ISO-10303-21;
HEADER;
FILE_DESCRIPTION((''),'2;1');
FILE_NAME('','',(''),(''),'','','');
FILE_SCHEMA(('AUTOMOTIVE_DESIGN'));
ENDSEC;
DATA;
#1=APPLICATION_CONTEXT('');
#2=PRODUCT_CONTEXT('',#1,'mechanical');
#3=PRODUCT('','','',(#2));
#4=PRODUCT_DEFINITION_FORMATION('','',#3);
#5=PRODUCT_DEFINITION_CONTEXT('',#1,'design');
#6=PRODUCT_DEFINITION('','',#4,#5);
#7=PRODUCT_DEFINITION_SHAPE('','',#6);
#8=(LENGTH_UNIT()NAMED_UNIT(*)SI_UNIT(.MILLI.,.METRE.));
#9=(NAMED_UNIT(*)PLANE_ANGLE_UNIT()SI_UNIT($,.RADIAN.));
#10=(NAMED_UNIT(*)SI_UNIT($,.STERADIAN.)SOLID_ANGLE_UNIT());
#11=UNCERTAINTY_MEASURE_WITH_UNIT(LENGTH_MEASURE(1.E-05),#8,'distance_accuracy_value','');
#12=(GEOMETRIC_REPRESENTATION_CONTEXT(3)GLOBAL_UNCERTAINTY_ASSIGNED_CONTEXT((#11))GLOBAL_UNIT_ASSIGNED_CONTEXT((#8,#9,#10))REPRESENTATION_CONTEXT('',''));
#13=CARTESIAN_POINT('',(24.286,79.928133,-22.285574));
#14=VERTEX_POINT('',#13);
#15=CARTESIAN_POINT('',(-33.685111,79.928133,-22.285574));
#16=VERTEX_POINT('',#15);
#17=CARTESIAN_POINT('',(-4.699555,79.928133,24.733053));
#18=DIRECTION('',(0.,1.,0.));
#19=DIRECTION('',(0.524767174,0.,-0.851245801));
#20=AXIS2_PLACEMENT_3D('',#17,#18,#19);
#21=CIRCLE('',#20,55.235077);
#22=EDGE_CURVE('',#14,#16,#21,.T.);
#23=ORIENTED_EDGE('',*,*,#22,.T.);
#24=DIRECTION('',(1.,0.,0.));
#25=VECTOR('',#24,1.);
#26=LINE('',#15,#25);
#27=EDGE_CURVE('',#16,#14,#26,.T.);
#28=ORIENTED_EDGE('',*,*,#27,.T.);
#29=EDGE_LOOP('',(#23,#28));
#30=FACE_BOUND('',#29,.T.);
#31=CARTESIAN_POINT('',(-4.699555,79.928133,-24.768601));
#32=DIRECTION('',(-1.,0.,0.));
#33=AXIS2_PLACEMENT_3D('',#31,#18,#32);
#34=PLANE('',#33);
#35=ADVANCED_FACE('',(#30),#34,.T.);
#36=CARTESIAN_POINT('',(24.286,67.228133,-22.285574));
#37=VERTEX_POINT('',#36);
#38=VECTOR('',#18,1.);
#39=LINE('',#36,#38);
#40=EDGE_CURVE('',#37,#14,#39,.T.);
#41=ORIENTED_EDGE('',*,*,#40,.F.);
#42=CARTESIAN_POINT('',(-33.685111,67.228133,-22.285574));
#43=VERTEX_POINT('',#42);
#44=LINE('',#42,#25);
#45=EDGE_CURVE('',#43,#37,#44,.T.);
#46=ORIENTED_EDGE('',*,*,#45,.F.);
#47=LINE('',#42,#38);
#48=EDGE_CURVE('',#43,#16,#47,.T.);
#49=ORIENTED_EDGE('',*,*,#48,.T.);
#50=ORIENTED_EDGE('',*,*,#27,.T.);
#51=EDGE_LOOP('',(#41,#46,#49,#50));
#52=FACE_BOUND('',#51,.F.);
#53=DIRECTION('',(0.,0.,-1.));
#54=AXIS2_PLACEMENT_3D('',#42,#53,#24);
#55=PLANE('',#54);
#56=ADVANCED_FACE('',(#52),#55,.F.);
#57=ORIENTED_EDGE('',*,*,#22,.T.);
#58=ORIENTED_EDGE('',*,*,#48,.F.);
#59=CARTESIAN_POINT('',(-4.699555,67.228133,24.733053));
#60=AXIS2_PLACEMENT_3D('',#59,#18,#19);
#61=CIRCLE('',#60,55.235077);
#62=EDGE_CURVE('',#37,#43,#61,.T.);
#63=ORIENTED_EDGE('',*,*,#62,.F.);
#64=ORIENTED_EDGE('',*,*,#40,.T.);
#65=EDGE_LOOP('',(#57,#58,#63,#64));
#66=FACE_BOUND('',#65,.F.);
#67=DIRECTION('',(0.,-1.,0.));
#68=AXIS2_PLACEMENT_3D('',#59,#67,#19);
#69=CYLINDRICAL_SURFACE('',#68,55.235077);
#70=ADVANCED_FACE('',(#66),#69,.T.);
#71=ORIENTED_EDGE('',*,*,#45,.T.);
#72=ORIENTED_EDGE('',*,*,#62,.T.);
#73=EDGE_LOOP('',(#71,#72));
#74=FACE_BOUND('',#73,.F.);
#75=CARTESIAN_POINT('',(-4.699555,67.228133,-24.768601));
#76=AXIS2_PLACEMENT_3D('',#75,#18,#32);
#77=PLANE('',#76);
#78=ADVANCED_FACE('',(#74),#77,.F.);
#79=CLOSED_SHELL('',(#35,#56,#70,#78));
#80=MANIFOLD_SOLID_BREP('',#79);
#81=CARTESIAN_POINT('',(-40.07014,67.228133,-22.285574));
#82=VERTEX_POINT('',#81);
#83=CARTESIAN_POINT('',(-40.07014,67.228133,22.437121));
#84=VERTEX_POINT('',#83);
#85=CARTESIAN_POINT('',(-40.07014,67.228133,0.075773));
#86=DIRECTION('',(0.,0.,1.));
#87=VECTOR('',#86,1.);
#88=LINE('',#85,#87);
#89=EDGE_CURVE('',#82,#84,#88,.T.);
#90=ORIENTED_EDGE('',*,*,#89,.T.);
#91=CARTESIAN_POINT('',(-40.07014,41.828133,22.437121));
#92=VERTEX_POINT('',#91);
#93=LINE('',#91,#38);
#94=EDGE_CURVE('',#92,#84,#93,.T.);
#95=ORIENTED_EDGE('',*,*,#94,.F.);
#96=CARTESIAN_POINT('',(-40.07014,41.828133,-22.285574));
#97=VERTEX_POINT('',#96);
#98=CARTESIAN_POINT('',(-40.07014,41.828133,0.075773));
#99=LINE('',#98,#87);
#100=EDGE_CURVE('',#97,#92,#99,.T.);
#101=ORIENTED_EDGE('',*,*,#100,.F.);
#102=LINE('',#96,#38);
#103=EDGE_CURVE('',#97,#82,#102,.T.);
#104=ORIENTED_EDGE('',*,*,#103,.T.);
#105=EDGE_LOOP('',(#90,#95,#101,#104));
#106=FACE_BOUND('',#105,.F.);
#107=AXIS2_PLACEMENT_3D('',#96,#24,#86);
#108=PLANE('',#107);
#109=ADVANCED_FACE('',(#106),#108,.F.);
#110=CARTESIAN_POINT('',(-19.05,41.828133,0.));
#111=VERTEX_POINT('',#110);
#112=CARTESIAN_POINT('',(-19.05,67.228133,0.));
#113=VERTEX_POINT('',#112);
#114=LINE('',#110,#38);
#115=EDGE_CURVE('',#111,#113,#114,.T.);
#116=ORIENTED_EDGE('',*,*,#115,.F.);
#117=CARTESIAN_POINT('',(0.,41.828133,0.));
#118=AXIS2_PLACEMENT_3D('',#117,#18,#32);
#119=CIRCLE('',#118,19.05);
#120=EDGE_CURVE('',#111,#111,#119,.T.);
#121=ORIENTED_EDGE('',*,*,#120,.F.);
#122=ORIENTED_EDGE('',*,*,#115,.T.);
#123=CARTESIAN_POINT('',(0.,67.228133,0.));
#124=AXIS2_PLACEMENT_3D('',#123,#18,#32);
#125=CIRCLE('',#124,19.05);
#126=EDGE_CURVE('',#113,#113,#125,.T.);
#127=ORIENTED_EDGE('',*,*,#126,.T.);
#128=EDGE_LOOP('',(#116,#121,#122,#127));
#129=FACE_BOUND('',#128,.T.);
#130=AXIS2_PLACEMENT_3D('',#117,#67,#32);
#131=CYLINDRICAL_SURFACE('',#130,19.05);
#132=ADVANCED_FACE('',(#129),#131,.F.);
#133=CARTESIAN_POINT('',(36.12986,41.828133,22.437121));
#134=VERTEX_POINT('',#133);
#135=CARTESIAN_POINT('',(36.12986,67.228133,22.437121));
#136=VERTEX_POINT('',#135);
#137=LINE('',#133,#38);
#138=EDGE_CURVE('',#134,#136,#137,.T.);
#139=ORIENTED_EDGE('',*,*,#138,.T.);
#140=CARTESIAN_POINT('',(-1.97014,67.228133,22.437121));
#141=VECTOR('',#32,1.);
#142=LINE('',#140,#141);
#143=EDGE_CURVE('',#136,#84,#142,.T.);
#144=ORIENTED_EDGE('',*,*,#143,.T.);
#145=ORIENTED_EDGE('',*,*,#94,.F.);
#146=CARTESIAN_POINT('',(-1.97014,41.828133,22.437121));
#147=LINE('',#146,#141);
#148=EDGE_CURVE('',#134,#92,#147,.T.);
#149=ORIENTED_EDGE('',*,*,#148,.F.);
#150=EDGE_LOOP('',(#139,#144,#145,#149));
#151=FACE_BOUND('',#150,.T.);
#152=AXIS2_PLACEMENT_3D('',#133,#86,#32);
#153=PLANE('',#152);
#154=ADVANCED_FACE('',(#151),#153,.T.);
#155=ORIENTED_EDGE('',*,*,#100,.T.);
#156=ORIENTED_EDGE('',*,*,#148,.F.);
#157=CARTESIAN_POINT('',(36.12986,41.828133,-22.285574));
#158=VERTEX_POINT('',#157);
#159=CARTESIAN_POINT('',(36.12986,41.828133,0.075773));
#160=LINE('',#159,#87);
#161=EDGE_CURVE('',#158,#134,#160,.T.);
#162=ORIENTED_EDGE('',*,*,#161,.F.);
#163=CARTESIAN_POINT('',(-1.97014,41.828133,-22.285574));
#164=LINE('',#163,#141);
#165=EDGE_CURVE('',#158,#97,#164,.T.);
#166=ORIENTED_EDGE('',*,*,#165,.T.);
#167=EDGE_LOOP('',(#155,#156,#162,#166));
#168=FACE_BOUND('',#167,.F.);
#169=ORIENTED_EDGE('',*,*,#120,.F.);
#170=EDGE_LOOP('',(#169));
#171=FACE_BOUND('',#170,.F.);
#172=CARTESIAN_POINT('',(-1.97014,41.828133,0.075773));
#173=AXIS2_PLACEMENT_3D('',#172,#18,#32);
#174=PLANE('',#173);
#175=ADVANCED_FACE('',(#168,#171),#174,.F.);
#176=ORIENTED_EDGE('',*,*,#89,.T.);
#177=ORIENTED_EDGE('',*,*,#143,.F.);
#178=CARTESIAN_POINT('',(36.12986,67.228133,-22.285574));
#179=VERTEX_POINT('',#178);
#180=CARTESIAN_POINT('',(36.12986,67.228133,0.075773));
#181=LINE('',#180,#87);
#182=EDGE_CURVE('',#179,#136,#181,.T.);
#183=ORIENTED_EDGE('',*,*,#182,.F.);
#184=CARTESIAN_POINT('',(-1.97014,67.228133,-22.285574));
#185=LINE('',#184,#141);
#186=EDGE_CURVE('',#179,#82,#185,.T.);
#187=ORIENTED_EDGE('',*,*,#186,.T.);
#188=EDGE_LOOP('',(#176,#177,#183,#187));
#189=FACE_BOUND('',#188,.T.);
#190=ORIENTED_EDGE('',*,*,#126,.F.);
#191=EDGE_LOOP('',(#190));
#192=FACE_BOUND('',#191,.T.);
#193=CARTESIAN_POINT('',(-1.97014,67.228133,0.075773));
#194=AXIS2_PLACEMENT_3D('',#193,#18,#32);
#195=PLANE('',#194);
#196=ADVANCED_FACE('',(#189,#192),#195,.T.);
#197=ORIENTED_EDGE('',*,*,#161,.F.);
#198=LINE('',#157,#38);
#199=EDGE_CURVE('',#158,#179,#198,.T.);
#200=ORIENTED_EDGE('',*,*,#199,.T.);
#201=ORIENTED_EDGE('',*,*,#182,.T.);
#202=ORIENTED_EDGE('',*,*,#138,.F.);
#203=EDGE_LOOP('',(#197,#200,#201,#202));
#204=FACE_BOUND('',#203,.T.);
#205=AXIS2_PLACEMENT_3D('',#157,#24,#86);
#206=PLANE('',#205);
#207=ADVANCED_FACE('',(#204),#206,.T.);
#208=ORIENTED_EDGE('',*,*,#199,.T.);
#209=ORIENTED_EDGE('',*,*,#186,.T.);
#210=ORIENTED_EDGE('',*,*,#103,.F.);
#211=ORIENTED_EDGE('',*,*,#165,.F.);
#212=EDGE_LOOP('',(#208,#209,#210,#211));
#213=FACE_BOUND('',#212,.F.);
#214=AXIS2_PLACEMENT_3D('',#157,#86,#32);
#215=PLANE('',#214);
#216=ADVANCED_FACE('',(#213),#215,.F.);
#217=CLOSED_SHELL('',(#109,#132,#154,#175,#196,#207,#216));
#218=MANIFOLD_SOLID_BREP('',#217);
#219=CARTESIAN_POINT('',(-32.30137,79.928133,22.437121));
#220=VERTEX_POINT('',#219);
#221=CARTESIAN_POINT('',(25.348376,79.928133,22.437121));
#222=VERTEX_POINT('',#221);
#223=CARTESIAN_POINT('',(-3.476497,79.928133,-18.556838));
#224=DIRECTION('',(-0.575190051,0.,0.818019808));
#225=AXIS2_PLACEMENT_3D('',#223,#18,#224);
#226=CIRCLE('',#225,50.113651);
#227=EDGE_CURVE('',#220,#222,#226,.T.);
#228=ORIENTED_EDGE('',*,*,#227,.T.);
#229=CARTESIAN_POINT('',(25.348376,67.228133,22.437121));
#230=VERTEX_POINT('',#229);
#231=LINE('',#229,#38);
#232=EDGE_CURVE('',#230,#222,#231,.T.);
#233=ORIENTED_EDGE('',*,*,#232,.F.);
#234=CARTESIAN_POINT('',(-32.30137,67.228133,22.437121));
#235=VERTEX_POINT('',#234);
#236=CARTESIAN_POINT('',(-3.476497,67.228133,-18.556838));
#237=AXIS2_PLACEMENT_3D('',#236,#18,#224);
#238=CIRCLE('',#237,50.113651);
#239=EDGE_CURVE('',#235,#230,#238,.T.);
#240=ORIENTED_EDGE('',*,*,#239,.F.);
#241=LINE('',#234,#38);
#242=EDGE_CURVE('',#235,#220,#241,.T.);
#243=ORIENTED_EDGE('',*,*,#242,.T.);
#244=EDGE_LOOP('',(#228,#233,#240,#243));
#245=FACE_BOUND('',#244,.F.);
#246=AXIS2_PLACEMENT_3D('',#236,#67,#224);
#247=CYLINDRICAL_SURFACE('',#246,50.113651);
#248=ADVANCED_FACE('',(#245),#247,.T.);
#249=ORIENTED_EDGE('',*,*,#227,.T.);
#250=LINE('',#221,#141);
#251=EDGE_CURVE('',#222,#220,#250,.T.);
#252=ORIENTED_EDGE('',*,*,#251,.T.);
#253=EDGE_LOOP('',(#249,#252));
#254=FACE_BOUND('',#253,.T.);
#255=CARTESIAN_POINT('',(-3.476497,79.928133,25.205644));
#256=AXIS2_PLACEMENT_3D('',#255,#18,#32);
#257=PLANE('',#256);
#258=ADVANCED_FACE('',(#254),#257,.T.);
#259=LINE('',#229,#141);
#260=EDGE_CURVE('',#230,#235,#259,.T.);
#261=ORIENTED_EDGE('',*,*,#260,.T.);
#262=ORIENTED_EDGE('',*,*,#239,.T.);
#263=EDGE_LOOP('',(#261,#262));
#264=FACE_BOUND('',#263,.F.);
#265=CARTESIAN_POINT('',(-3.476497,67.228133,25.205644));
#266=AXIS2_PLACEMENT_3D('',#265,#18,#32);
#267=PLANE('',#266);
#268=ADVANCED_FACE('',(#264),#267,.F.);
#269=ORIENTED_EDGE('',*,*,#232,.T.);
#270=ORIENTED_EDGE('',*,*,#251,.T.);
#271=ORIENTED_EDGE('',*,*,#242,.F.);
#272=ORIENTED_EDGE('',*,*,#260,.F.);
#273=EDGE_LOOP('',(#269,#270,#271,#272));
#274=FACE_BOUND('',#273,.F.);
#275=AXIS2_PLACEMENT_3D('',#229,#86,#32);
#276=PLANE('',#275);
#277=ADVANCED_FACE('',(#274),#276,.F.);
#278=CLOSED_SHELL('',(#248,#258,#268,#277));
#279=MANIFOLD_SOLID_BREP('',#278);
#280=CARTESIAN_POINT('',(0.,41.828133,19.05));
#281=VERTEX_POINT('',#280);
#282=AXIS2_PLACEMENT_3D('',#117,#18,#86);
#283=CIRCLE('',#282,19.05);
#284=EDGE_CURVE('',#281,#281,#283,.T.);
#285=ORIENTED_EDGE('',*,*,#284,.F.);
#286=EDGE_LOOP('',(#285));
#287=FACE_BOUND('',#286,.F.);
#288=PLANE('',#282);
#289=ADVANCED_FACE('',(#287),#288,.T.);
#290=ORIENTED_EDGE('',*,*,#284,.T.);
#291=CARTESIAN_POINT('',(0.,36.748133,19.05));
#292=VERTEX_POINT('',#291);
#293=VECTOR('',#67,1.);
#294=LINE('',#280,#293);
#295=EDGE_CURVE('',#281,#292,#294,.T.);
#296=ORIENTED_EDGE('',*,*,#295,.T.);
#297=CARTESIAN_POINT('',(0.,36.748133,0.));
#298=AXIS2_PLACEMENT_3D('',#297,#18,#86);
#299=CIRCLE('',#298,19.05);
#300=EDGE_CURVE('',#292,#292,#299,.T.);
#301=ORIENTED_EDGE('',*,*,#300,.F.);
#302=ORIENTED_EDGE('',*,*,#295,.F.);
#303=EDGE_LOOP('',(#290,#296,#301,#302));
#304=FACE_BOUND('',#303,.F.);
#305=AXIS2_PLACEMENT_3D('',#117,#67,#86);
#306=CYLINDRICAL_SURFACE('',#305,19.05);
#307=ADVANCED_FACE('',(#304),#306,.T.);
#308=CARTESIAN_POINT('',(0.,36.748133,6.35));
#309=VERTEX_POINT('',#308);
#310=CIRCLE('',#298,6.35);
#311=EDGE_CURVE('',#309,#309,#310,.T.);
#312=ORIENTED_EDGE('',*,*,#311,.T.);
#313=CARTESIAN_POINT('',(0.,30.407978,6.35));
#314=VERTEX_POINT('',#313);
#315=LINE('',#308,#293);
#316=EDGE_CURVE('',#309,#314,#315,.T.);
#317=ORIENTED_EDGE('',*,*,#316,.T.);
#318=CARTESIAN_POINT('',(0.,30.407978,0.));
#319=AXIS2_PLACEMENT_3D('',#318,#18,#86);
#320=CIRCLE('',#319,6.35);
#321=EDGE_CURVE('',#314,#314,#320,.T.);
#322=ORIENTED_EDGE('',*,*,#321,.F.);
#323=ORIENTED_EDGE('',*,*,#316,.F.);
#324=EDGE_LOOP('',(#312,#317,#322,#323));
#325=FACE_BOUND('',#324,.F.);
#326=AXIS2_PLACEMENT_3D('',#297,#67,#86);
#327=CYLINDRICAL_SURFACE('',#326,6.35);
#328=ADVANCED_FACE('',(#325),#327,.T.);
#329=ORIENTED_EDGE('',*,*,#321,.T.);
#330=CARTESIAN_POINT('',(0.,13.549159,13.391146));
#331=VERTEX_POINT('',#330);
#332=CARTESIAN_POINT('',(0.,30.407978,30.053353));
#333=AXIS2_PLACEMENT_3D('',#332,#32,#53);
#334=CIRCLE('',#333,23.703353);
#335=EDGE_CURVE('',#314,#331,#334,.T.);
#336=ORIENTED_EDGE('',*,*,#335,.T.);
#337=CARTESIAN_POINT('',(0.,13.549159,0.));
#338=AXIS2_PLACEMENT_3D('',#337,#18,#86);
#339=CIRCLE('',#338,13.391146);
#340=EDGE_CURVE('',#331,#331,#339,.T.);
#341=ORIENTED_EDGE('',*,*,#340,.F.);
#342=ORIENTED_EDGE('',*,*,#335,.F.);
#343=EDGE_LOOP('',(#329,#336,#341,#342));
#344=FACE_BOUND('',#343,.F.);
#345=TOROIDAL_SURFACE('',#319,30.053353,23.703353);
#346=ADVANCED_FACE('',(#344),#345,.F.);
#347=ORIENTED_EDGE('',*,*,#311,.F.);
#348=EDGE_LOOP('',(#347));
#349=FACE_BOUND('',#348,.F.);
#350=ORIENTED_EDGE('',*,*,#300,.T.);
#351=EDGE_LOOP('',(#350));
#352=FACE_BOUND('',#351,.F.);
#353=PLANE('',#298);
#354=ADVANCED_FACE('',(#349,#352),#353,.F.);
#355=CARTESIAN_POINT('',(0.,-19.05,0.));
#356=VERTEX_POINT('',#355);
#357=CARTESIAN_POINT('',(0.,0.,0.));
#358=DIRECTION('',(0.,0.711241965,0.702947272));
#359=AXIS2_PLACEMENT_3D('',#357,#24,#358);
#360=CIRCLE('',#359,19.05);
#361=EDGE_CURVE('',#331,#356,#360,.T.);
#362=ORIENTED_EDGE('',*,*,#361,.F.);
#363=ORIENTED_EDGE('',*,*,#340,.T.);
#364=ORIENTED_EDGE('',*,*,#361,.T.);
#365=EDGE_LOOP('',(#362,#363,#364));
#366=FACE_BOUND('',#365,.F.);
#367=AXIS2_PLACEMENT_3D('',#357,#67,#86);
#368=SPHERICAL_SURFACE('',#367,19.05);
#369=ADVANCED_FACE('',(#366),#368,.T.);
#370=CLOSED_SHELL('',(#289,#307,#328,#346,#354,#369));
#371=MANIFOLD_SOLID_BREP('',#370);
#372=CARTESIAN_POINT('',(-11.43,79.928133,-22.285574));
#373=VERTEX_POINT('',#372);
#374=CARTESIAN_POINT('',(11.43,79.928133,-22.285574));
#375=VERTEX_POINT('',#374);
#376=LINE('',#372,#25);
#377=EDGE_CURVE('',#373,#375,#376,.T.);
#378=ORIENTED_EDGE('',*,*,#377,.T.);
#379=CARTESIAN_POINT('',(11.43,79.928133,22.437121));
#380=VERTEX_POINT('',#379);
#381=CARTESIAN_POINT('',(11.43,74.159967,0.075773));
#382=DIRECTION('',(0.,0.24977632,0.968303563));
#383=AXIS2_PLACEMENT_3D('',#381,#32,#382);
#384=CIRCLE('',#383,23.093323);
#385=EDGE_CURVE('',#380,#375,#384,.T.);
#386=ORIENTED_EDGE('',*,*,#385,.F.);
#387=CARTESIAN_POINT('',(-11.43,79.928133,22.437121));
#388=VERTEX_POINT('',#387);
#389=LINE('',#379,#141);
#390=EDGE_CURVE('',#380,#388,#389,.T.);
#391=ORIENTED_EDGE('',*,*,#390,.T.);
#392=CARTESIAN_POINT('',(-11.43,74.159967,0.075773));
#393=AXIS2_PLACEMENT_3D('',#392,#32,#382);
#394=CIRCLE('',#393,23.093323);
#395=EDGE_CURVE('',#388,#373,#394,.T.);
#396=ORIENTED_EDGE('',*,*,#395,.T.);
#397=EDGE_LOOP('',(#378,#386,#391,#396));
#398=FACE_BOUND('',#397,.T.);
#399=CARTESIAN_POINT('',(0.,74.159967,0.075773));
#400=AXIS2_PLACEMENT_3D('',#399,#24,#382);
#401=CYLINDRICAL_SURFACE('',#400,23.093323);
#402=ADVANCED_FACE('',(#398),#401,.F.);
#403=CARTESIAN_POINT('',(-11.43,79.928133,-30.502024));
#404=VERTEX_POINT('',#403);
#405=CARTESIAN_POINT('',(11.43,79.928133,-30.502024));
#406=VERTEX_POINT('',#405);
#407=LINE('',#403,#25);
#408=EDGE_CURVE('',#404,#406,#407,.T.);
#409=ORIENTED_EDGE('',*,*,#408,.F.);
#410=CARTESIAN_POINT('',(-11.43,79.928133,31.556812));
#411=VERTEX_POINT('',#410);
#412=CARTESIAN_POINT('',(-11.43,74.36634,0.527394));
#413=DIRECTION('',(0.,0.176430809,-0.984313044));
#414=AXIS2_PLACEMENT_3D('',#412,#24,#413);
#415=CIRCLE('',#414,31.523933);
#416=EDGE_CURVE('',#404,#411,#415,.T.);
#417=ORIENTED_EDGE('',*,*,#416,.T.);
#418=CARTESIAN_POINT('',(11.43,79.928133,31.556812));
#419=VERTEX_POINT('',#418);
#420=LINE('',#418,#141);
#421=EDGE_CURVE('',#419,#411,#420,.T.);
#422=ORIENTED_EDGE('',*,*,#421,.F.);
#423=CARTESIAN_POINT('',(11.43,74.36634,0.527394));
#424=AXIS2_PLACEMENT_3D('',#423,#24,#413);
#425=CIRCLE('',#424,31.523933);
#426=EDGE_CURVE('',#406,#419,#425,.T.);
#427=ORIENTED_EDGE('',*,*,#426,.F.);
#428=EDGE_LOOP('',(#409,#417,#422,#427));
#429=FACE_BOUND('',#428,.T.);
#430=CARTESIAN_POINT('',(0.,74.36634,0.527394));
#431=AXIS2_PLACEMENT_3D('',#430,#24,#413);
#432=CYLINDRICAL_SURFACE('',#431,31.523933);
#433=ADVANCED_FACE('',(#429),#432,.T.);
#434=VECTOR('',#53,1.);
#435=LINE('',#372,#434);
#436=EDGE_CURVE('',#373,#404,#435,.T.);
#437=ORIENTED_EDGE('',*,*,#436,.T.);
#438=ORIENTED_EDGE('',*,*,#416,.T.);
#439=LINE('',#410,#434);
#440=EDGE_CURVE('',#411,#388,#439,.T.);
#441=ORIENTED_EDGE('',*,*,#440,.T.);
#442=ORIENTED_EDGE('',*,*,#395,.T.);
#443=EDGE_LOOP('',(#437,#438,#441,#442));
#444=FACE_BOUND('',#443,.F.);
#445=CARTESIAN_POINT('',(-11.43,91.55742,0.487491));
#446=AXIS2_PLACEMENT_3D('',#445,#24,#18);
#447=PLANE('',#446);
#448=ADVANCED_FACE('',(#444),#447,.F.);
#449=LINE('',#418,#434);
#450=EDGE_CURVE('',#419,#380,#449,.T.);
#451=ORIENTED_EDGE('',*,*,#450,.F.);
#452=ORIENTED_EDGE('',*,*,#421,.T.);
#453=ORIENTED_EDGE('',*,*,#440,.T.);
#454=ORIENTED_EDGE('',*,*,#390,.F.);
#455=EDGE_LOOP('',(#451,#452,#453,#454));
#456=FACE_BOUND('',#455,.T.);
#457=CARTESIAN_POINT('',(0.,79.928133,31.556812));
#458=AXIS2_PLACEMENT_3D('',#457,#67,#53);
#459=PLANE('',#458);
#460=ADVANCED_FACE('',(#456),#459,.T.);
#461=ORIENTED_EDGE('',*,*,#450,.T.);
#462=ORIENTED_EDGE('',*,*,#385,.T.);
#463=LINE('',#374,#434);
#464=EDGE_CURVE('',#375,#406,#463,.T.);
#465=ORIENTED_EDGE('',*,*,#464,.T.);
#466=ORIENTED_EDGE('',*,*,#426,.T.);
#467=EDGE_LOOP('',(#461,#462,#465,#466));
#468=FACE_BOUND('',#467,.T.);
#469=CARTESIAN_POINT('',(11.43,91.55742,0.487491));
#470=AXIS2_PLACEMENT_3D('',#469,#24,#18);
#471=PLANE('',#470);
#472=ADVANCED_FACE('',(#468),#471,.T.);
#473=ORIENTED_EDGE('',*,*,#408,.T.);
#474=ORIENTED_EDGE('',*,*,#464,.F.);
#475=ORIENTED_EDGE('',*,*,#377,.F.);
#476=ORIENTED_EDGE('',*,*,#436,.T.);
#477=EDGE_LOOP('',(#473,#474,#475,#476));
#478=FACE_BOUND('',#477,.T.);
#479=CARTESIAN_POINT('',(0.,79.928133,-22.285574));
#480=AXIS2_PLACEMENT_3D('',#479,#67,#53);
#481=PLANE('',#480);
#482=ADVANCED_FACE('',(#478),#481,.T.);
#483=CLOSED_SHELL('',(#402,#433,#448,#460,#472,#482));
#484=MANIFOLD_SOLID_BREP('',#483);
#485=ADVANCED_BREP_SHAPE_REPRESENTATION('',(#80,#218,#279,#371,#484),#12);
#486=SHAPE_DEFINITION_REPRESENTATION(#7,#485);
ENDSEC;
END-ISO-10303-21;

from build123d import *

# Parameters (mm, degrees)
F2_W     = 76.2
F2_H     = 44.7226946513
F2_R     = 19.05
F3_DEPTH = 25.4
F5_DEPTH = 12.7
F7_DEPTH = 11.43


with BuildPart() as f1:
    # F0 (on Right) → F1 (revolve)
    with BuildSketch(Plane.YZ):
        with BuildLine():
            Line((-19.05, 0), (19.05, 0))
            ThreePointArc((19.05, 0), (17.6212086291, 7.2384740416), (13.5491594277, 13.3911455374))
            ThreePointArc((13.5491594277, 13.3911455374), (-7.2384740416, 17.6212086291), (-19.05, 0))
        make_face()
        with BuildLine():
            ThreePointArc((13.5491594277, 13.3911455374), (17.6212086291, 7.2384740416), (19.05, 0))
            Line((19.05, 0), (36.7481327612, 0))
            Line((36.7481327612, 0), (36.7481327612, 6.35))
            Line((36.7481327612, 6.35), (30.4079784819, 6.35))
            ThreePointArc((30.4079784819, 6.35), (21.2729153954, 8.1810059772), (13.5491594277, 13.3911455374))
        make_face()
        Polygon((36.7481327612, 6.35), (36.7481327612, 0), (41.8281327612, 0), (41.8281327612, 19.05), (36.7481327612, 19.05), align=None)
    revolve(axis=Axis((0, 11.3890663806, 0), (0, 1, 0)))


with BuildPart() as f3:
    # F2 (on face) → F3 (new body)
    with BuildSketch(Plane(origin=(0, 41.8281327612, 0), x_dir=(-1, 0, 0), z_dir=(0, 1, 0))):
        with Locations((1.9701402634, 0.075773336)):
            Rectangle(F2_W, F2_H)
        Circle(F2_R, mode=Mode.SUBTRACT)
    extrude(amount=F3_DEPTH)


with BuildPart() as f5:
    # F4 (on face) → F5 (new body)
    with BuildSketch(Plane(origin=(0, 67.2281327612, 0), x_dir=(-1, 0, 0), z_dir=(0, 1, 0))):
        with BuildLine():
            Line((33.6851105094, -22.2855739896), (-24.2860000581, -22.2855739896))
            ThreePointArc((-24.2860000581, -22.2855739896), (4.6995552257, -30.5020236554), (33.6851105094, -22.2855739896))
        make_face()
    extrude(amount=F5_DEPTH)


with BuildPart() as f5b:
    # F4 (on face) → F5, piece 2 (new body)
    with BuildSketch(Plane(origin=(0, 67.2281327612, 0), x_dir=(-1, 0, 0), z_dir=(0, 1, 0))):
        with BuildLine():
            ThreePointArc((32.3013700545, 22.4371206616), (3.4764967859, 31.5568124537), (-25.3483764827, 22.4371206616))
            Line((-25.3483764827, 22.4371206616), (32.3013700545, 22.4371206616))
        make_face()
    extrude(amount=F5_DEPTH)


with BuildPart() as f7:
    # F6 (on Right) → F7 (new body, symmetric)
    with BuildSketch(Plane.YZ):
        with BuildLine():
            ThreePointArc((79.9281327612, 22.4371206616), (97.2532908221, 0.075773336), (79.9281327612, -22.2855739896))
            Line((79.9281327612, -22.2855739896), (79.9281327612, -30.5020236554))
            ThreePointArc((79.9281327612, -30.5020236554), (105.8902724062, 0.5273943992), (79.9281327612, 31.5568124537))
            Line((79.9281327612, 31.5568124537), (79.9281327612, 22.4371206616))
        make_face()
    extrude(amount=F7_DEPTH, both=True)


solid = Compound([f1.part, f3.part, f5.part, f5b.part, f7.part])
